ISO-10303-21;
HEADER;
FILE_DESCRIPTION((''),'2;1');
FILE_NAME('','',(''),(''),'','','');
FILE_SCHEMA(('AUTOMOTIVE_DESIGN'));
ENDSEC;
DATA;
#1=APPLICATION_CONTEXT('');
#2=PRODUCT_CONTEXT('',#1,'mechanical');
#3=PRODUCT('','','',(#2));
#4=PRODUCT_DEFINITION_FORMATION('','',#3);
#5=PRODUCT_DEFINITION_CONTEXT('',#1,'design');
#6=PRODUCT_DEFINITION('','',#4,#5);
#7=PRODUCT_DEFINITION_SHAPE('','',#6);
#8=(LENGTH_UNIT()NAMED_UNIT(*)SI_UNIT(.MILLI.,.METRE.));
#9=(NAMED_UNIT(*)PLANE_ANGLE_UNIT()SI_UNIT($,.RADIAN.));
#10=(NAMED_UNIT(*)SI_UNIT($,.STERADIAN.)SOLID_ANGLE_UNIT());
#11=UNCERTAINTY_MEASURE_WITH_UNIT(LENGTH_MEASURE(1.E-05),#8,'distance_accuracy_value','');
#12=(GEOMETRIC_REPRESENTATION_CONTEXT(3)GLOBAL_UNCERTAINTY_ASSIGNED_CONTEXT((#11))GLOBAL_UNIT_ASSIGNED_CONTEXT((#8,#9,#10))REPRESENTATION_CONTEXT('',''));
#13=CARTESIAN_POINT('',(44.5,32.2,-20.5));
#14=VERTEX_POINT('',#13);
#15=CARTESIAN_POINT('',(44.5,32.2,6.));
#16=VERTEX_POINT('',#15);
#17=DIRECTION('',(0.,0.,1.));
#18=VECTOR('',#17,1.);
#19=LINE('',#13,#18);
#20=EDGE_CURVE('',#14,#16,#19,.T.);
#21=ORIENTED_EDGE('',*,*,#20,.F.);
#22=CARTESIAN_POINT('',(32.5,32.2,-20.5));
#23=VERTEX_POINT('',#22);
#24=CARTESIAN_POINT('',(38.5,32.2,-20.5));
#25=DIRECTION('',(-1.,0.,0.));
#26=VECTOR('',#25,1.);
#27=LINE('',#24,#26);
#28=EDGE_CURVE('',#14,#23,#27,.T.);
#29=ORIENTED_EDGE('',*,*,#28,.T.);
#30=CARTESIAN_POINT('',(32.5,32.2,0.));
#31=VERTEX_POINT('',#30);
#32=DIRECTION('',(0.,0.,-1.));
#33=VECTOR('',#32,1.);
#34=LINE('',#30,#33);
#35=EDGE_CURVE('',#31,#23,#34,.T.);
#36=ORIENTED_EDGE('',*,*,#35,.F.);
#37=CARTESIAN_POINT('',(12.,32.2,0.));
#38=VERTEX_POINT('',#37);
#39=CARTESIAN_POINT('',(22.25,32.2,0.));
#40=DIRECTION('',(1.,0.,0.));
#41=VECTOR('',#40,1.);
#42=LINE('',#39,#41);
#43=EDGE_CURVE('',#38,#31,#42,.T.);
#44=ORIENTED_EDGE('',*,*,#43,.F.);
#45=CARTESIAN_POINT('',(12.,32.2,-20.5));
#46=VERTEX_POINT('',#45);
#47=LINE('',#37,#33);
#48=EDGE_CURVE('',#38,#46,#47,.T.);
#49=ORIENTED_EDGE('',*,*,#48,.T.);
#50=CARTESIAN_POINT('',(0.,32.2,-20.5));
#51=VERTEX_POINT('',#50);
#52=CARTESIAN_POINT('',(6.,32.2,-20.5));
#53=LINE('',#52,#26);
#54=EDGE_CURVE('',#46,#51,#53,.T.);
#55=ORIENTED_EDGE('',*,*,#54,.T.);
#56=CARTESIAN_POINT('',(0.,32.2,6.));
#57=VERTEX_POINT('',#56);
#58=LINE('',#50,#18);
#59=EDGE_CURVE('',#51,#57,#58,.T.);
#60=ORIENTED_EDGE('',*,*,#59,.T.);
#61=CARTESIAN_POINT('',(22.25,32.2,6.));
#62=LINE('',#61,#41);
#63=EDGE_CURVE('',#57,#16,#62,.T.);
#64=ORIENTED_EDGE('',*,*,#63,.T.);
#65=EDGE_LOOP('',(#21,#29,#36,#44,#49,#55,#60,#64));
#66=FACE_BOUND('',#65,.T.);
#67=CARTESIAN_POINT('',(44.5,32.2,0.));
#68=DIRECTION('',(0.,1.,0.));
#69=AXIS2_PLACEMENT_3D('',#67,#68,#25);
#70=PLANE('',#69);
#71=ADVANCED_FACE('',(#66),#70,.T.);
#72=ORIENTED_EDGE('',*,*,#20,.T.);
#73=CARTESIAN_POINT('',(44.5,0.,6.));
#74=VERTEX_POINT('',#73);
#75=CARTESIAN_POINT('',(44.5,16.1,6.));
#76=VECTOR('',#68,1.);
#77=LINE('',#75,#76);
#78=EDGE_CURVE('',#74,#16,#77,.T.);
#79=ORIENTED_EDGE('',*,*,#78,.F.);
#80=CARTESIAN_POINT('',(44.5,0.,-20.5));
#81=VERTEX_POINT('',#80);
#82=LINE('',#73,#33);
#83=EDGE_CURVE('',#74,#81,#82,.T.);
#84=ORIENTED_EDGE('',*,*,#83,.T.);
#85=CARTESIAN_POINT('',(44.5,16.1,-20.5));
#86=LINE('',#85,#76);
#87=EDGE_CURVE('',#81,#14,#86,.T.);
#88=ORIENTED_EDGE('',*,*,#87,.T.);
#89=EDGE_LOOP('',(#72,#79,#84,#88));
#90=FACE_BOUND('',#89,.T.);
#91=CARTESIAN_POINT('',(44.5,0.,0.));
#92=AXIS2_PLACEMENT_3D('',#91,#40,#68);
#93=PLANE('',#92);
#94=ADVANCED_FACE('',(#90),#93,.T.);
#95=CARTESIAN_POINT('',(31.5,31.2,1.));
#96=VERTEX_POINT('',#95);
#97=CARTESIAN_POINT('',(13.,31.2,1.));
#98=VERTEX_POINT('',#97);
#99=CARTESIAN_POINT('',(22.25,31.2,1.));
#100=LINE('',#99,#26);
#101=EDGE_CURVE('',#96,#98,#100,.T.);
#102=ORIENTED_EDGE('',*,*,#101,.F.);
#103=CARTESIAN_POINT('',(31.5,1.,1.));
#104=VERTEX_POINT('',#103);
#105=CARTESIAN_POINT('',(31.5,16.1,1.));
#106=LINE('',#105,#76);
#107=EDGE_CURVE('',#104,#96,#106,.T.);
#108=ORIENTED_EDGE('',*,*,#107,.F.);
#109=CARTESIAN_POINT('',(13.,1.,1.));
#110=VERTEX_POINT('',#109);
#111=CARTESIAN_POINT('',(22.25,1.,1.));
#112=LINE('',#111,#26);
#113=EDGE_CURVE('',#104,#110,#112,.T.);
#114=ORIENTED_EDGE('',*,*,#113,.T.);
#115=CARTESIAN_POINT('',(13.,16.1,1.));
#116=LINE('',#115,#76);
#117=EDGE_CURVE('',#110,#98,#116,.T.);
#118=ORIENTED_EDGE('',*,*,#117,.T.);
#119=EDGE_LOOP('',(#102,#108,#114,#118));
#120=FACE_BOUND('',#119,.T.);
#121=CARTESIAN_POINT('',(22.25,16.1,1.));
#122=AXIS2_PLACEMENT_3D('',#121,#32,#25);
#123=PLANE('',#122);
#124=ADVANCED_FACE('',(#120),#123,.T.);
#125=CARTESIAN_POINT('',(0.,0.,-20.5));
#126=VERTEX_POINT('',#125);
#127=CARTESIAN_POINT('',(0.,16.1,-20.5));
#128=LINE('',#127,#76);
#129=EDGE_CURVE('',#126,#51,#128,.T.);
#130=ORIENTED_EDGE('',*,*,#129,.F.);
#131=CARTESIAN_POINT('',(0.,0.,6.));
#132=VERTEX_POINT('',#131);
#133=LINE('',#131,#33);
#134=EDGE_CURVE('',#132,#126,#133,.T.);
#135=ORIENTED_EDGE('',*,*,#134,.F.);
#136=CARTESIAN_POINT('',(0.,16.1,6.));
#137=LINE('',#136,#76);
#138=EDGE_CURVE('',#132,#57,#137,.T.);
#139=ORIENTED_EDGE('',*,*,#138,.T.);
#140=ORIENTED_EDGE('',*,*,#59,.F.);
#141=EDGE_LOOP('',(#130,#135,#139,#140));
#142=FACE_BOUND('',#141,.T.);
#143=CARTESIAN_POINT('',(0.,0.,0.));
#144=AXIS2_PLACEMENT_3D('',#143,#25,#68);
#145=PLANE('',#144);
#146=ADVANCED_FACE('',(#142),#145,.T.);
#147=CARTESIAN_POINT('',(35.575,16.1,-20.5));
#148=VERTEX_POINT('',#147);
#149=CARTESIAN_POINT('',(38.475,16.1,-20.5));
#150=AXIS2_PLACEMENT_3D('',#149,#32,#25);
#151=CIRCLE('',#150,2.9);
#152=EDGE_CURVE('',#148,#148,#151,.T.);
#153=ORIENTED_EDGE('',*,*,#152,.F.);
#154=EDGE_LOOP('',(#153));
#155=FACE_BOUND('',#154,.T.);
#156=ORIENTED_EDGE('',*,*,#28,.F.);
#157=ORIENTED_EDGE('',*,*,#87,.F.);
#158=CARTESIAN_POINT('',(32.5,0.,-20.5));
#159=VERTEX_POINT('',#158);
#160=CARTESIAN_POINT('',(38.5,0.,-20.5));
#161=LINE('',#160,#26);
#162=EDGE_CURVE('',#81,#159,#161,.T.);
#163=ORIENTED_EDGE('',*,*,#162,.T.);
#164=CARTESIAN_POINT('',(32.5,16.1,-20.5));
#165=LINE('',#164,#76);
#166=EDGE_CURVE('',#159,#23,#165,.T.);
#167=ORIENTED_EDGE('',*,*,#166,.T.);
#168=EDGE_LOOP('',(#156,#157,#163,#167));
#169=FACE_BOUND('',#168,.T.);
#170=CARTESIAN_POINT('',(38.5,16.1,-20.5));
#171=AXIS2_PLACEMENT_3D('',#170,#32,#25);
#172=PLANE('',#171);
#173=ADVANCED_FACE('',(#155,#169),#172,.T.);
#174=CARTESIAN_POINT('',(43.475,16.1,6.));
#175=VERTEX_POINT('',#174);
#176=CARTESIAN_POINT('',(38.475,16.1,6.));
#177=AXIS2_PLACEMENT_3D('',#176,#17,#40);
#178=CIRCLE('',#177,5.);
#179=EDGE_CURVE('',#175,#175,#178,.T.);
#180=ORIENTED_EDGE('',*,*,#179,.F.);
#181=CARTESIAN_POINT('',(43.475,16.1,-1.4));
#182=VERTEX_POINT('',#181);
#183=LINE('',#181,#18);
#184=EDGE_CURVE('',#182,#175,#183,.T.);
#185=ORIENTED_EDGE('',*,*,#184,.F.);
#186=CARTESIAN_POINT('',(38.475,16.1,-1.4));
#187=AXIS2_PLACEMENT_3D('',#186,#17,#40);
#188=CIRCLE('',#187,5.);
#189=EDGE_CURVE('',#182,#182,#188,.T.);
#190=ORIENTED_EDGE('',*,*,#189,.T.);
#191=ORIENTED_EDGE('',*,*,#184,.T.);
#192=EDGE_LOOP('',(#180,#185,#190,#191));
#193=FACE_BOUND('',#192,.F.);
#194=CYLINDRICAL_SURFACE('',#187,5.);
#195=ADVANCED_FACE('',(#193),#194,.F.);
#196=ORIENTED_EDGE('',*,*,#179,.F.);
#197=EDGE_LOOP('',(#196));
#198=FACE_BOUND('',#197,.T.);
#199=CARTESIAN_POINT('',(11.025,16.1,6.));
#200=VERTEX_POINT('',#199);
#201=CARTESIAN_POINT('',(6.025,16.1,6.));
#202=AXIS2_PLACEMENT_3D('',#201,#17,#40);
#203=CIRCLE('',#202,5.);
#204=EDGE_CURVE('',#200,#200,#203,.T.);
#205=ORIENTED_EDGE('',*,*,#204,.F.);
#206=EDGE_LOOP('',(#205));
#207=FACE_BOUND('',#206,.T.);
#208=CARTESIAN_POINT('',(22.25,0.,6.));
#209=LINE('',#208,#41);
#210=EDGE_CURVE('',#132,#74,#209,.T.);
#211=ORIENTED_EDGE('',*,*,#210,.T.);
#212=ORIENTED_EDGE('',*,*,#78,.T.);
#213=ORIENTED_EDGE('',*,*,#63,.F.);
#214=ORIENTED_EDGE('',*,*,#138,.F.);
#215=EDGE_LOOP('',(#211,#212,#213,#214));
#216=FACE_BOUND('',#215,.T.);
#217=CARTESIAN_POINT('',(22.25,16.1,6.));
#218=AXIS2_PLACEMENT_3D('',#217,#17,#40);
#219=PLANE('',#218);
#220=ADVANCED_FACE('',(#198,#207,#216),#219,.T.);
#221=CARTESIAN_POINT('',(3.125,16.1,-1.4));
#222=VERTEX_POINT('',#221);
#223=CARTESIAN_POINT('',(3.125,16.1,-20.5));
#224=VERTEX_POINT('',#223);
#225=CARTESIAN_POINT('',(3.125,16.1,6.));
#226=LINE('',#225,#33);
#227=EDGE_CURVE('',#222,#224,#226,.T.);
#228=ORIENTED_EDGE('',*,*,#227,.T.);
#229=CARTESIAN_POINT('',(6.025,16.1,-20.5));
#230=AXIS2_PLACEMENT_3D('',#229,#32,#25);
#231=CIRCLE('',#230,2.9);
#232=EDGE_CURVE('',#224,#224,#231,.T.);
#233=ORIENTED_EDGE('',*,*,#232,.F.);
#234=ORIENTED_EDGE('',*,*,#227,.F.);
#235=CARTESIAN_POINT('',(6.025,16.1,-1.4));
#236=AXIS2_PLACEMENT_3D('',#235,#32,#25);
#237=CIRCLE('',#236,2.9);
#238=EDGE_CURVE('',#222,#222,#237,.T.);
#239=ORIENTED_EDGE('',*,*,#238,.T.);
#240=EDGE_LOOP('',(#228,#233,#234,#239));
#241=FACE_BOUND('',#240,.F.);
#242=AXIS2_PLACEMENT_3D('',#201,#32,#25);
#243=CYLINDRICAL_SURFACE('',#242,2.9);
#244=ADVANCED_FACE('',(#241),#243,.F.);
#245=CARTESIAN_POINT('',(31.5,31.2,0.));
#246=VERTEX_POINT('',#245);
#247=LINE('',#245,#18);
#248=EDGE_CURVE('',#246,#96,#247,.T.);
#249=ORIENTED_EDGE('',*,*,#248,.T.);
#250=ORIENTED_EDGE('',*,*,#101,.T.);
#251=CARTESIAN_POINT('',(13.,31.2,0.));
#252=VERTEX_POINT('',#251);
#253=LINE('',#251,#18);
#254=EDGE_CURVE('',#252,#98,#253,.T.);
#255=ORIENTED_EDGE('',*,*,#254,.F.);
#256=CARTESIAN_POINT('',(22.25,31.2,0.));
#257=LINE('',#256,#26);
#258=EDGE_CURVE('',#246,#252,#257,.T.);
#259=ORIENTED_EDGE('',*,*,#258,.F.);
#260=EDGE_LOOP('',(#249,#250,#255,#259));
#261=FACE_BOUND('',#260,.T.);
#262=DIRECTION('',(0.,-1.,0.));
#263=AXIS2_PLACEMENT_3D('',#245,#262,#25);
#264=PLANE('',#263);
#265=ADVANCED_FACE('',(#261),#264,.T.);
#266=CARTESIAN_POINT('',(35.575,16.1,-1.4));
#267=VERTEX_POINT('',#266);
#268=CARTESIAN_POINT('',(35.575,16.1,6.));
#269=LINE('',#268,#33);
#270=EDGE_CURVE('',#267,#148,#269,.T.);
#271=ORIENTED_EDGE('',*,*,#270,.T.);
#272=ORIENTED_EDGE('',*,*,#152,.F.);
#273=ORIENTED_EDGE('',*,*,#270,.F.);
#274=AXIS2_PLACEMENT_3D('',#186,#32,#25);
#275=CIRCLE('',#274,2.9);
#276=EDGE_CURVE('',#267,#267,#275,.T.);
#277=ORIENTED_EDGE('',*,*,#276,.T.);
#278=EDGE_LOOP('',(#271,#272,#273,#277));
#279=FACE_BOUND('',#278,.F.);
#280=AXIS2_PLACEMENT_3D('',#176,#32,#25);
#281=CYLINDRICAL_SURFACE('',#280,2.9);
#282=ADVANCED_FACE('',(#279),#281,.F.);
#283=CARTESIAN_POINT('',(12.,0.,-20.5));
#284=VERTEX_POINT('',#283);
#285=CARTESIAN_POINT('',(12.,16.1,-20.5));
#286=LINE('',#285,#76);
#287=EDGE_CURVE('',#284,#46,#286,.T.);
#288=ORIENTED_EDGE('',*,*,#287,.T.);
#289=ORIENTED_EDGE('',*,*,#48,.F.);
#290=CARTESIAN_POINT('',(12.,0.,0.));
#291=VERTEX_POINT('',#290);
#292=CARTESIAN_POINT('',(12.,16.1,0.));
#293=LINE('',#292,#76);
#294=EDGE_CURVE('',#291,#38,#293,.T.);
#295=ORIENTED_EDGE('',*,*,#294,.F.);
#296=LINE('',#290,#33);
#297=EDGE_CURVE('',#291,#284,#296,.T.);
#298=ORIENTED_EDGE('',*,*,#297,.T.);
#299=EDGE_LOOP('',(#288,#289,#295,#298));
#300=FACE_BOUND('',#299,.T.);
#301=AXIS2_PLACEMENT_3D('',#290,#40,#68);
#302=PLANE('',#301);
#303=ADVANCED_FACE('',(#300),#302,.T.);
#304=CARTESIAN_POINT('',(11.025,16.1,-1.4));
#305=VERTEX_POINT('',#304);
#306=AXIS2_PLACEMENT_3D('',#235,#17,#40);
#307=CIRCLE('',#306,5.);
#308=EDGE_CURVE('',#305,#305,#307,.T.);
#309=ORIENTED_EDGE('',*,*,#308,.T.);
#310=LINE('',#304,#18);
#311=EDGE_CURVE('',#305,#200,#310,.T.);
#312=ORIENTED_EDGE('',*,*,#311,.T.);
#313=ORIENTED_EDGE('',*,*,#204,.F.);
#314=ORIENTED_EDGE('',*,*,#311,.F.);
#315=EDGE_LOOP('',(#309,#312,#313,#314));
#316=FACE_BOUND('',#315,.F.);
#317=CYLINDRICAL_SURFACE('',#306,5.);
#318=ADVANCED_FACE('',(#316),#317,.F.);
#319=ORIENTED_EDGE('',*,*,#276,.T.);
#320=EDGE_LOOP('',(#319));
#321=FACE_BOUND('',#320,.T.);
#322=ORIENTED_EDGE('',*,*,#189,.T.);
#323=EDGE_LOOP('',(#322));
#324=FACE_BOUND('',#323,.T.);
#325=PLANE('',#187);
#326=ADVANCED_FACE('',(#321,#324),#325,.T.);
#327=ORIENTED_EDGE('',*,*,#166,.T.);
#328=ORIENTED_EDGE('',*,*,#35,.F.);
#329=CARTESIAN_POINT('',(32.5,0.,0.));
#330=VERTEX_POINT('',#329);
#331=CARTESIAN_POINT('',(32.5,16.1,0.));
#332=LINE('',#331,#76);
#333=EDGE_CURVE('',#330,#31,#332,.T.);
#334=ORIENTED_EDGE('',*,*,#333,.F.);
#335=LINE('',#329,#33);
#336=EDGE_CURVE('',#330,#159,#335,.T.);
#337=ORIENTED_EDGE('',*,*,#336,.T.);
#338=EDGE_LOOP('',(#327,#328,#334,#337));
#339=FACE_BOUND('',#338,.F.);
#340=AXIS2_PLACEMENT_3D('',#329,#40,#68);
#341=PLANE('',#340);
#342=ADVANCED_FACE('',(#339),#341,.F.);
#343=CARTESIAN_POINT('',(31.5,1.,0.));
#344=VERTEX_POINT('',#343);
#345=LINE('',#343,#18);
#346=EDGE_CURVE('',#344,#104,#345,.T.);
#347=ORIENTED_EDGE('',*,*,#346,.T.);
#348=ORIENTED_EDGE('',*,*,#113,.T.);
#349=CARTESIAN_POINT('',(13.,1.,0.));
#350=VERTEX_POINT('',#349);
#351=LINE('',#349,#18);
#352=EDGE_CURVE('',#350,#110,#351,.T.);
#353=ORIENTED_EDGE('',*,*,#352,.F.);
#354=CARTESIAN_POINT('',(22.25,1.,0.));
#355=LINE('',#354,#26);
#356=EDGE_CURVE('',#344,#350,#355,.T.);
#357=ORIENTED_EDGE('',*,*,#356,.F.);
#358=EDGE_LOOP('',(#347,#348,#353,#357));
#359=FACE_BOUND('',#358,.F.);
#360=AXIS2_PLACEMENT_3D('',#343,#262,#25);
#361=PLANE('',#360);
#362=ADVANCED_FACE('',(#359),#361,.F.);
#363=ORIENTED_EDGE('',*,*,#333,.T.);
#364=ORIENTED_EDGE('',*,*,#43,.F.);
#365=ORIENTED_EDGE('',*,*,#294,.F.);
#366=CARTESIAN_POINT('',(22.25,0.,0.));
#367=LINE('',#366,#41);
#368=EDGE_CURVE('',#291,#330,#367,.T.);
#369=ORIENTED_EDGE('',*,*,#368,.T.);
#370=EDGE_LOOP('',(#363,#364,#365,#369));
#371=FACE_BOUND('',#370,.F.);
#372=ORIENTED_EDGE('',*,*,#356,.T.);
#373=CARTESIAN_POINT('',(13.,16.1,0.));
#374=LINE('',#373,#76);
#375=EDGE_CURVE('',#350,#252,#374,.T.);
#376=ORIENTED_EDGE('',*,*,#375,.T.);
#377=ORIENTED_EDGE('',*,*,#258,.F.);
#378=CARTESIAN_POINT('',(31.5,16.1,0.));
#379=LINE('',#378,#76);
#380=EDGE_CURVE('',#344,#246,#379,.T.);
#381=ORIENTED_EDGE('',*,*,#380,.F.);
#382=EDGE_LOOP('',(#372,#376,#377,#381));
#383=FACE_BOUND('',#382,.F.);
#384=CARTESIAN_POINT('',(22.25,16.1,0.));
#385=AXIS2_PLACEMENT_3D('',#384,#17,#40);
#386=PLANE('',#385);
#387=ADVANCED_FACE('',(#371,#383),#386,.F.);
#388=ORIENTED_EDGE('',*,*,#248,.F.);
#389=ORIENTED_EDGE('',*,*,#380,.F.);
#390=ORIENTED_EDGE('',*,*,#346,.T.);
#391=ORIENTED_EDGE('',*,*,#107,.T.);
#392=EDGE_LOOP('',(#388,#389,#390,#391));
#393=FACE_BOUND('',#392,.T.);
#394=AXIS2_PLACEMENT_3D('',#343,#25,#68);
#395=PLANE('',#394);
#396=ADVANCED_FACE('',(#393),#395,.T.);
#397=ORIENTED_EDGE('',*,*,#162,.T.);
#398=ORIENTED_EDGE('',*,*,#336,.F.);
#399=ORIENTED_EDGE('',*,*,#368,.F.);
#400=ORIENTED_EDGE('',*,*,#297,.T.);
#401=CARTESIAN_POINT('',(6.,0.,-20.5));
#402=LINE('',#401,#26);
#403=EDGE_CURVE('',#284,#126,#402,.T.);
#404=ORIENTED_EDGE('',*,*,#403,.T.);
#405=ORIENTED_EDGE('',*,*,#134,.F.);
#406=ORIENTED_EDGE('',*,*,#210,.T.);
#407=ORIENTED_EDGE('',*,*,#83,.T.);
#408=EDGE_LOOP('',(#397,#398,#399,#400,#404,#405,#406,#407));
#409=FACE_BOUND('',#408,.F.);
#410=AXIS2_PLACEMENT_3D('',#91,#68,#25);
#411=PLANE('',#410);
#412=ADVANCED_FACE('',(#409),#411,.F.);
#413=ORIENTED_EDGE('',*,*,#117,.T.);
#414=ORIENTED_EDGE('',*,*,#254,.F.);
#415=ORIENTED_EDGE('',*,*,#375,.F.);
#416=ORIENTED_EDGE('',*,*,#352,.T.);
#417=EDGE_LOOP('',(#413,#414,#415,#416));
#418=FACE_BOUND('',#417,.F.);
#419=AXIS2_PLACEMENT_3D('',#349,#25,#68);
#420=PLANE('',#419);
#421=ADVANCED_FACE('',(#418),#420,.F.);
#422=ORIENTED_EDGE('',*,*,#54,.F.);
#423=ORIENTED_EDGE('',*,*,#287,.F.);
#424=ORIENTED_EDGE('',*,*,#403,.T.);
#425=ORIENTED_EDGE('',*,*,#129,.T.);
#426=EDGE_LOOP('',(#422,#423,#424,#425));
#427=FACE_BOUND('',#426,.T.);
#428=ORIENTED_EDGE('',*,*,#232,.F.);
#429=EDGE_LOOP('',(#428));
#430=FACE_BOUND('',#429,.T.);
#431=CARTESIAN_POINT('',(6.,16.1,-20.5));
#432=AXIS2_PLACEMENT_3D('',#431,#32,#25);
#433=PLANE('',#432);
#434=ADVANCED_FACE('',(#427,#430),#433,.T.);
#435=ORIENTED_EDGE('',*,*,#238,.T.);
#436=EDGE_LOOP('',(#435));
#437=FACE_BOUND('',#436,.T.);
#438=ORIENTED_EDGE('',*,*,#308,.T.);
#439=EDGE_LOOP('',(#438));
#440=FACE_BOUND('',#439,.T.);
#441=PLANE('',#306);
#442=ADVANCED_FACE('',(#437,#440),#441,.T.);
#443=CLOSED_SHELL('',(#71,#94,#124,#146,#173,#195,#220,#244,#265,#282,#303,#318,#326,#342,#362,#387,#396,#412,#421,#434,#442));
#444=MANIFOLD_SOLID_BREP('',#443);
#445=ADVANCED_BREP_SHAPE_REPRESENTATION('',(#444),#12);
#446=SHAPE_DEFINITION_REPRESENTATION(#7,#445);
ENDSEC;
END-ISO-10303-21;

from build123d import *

# Parameters (mm, degrees)
SKETCH1_W                                           = 44.5
SKETCH1_H                                           = 32.2
BOSS_EXTRUDE1_DEPTH                                 = 6
SKETCH2_W                                           = 12
SKETCH2_H                                           = 32.2
BOSS_EXTRUDE2_DEPTH                                 = 20.5
CBORE_FOR_M5_HEX_SOCKET_HEAD_CAP_SCREW1_D           = 5.8
CBORE_FOR_M5_HEX_SOCKET_HEAD_CAP_SCREW1_CBORE_D     = 10
CBORE_FOR_M5_HEX_SOCKET_HEAD_CAP_SCREW1_CBORE_DEPTH = 7.4
SKETCH6_W                                           = 18.5
SKETCH6_H                                           = 30.2
CUT_EXTRUDE1_DEPTH                                  = 1


with BuildPart() as part:
    # Sketch1 → Boss-Extrude1 (new body)
    with BuildSketch(Plane.XY):
        with Locations((22.25, 16.1)):
            Rectangle(SKETCH1_W, SKETCH1_H)
    extrude(amount=BOSS_EXTRUDE1_DEPTH)

    # Sketch2 → Boss-Extrude2 (add)
    with BuildSketch(Plane(origin=(0, 0, 0), x_dir=(-1, 0, 0), z_dir=(0, 0, -1))):
        with Locations((-38.5, 16.1)):
            Rectangle(SKETCH2_W, SKETCH2_H)
        with Locations((-6, 16.1)):
            Rectangle(SKETCH2_W, SKETCH2_H)
    extrude(amount=BOSS_EXTRUDE2_DEPTH)

    # CBORE for M5 Hex Socket Head Cap Screw1 (through all)
    with Locations(Plane.XY.offset(6)):
        with Locations((6.025, 16.1), (38.475, 16.1)):
            CounterBoreHole(CBORE_FOR_M5_HEX_SOCKET_HEAD_CAP_SCREW1_D / 2, CBORE_FOR_M5_HEX_SOCKET_HEAD_CAP_SCREW1_CBORE_D / 2, CBORE_FOR_M5_HEX_SOCKET_HEAD_CAP_SCREW1_CBORE_DEPTH)

    # Sketch6 → Cut-Extrude1 (cut)
    with BuildSketch(Plane(origin=(0, 0, 0), x_dir=(-1, 0, 0), z_dir=(0, 0, -1))):
        with Locations((-22.25, 16.1)):
            Rectangle(SKETCH6_W, SKETCH6_H)
    extrude(amount=-CUT_EXTRUDE1_DEPTH, mode=Mode.SUBTRACT)


solid = part.part
